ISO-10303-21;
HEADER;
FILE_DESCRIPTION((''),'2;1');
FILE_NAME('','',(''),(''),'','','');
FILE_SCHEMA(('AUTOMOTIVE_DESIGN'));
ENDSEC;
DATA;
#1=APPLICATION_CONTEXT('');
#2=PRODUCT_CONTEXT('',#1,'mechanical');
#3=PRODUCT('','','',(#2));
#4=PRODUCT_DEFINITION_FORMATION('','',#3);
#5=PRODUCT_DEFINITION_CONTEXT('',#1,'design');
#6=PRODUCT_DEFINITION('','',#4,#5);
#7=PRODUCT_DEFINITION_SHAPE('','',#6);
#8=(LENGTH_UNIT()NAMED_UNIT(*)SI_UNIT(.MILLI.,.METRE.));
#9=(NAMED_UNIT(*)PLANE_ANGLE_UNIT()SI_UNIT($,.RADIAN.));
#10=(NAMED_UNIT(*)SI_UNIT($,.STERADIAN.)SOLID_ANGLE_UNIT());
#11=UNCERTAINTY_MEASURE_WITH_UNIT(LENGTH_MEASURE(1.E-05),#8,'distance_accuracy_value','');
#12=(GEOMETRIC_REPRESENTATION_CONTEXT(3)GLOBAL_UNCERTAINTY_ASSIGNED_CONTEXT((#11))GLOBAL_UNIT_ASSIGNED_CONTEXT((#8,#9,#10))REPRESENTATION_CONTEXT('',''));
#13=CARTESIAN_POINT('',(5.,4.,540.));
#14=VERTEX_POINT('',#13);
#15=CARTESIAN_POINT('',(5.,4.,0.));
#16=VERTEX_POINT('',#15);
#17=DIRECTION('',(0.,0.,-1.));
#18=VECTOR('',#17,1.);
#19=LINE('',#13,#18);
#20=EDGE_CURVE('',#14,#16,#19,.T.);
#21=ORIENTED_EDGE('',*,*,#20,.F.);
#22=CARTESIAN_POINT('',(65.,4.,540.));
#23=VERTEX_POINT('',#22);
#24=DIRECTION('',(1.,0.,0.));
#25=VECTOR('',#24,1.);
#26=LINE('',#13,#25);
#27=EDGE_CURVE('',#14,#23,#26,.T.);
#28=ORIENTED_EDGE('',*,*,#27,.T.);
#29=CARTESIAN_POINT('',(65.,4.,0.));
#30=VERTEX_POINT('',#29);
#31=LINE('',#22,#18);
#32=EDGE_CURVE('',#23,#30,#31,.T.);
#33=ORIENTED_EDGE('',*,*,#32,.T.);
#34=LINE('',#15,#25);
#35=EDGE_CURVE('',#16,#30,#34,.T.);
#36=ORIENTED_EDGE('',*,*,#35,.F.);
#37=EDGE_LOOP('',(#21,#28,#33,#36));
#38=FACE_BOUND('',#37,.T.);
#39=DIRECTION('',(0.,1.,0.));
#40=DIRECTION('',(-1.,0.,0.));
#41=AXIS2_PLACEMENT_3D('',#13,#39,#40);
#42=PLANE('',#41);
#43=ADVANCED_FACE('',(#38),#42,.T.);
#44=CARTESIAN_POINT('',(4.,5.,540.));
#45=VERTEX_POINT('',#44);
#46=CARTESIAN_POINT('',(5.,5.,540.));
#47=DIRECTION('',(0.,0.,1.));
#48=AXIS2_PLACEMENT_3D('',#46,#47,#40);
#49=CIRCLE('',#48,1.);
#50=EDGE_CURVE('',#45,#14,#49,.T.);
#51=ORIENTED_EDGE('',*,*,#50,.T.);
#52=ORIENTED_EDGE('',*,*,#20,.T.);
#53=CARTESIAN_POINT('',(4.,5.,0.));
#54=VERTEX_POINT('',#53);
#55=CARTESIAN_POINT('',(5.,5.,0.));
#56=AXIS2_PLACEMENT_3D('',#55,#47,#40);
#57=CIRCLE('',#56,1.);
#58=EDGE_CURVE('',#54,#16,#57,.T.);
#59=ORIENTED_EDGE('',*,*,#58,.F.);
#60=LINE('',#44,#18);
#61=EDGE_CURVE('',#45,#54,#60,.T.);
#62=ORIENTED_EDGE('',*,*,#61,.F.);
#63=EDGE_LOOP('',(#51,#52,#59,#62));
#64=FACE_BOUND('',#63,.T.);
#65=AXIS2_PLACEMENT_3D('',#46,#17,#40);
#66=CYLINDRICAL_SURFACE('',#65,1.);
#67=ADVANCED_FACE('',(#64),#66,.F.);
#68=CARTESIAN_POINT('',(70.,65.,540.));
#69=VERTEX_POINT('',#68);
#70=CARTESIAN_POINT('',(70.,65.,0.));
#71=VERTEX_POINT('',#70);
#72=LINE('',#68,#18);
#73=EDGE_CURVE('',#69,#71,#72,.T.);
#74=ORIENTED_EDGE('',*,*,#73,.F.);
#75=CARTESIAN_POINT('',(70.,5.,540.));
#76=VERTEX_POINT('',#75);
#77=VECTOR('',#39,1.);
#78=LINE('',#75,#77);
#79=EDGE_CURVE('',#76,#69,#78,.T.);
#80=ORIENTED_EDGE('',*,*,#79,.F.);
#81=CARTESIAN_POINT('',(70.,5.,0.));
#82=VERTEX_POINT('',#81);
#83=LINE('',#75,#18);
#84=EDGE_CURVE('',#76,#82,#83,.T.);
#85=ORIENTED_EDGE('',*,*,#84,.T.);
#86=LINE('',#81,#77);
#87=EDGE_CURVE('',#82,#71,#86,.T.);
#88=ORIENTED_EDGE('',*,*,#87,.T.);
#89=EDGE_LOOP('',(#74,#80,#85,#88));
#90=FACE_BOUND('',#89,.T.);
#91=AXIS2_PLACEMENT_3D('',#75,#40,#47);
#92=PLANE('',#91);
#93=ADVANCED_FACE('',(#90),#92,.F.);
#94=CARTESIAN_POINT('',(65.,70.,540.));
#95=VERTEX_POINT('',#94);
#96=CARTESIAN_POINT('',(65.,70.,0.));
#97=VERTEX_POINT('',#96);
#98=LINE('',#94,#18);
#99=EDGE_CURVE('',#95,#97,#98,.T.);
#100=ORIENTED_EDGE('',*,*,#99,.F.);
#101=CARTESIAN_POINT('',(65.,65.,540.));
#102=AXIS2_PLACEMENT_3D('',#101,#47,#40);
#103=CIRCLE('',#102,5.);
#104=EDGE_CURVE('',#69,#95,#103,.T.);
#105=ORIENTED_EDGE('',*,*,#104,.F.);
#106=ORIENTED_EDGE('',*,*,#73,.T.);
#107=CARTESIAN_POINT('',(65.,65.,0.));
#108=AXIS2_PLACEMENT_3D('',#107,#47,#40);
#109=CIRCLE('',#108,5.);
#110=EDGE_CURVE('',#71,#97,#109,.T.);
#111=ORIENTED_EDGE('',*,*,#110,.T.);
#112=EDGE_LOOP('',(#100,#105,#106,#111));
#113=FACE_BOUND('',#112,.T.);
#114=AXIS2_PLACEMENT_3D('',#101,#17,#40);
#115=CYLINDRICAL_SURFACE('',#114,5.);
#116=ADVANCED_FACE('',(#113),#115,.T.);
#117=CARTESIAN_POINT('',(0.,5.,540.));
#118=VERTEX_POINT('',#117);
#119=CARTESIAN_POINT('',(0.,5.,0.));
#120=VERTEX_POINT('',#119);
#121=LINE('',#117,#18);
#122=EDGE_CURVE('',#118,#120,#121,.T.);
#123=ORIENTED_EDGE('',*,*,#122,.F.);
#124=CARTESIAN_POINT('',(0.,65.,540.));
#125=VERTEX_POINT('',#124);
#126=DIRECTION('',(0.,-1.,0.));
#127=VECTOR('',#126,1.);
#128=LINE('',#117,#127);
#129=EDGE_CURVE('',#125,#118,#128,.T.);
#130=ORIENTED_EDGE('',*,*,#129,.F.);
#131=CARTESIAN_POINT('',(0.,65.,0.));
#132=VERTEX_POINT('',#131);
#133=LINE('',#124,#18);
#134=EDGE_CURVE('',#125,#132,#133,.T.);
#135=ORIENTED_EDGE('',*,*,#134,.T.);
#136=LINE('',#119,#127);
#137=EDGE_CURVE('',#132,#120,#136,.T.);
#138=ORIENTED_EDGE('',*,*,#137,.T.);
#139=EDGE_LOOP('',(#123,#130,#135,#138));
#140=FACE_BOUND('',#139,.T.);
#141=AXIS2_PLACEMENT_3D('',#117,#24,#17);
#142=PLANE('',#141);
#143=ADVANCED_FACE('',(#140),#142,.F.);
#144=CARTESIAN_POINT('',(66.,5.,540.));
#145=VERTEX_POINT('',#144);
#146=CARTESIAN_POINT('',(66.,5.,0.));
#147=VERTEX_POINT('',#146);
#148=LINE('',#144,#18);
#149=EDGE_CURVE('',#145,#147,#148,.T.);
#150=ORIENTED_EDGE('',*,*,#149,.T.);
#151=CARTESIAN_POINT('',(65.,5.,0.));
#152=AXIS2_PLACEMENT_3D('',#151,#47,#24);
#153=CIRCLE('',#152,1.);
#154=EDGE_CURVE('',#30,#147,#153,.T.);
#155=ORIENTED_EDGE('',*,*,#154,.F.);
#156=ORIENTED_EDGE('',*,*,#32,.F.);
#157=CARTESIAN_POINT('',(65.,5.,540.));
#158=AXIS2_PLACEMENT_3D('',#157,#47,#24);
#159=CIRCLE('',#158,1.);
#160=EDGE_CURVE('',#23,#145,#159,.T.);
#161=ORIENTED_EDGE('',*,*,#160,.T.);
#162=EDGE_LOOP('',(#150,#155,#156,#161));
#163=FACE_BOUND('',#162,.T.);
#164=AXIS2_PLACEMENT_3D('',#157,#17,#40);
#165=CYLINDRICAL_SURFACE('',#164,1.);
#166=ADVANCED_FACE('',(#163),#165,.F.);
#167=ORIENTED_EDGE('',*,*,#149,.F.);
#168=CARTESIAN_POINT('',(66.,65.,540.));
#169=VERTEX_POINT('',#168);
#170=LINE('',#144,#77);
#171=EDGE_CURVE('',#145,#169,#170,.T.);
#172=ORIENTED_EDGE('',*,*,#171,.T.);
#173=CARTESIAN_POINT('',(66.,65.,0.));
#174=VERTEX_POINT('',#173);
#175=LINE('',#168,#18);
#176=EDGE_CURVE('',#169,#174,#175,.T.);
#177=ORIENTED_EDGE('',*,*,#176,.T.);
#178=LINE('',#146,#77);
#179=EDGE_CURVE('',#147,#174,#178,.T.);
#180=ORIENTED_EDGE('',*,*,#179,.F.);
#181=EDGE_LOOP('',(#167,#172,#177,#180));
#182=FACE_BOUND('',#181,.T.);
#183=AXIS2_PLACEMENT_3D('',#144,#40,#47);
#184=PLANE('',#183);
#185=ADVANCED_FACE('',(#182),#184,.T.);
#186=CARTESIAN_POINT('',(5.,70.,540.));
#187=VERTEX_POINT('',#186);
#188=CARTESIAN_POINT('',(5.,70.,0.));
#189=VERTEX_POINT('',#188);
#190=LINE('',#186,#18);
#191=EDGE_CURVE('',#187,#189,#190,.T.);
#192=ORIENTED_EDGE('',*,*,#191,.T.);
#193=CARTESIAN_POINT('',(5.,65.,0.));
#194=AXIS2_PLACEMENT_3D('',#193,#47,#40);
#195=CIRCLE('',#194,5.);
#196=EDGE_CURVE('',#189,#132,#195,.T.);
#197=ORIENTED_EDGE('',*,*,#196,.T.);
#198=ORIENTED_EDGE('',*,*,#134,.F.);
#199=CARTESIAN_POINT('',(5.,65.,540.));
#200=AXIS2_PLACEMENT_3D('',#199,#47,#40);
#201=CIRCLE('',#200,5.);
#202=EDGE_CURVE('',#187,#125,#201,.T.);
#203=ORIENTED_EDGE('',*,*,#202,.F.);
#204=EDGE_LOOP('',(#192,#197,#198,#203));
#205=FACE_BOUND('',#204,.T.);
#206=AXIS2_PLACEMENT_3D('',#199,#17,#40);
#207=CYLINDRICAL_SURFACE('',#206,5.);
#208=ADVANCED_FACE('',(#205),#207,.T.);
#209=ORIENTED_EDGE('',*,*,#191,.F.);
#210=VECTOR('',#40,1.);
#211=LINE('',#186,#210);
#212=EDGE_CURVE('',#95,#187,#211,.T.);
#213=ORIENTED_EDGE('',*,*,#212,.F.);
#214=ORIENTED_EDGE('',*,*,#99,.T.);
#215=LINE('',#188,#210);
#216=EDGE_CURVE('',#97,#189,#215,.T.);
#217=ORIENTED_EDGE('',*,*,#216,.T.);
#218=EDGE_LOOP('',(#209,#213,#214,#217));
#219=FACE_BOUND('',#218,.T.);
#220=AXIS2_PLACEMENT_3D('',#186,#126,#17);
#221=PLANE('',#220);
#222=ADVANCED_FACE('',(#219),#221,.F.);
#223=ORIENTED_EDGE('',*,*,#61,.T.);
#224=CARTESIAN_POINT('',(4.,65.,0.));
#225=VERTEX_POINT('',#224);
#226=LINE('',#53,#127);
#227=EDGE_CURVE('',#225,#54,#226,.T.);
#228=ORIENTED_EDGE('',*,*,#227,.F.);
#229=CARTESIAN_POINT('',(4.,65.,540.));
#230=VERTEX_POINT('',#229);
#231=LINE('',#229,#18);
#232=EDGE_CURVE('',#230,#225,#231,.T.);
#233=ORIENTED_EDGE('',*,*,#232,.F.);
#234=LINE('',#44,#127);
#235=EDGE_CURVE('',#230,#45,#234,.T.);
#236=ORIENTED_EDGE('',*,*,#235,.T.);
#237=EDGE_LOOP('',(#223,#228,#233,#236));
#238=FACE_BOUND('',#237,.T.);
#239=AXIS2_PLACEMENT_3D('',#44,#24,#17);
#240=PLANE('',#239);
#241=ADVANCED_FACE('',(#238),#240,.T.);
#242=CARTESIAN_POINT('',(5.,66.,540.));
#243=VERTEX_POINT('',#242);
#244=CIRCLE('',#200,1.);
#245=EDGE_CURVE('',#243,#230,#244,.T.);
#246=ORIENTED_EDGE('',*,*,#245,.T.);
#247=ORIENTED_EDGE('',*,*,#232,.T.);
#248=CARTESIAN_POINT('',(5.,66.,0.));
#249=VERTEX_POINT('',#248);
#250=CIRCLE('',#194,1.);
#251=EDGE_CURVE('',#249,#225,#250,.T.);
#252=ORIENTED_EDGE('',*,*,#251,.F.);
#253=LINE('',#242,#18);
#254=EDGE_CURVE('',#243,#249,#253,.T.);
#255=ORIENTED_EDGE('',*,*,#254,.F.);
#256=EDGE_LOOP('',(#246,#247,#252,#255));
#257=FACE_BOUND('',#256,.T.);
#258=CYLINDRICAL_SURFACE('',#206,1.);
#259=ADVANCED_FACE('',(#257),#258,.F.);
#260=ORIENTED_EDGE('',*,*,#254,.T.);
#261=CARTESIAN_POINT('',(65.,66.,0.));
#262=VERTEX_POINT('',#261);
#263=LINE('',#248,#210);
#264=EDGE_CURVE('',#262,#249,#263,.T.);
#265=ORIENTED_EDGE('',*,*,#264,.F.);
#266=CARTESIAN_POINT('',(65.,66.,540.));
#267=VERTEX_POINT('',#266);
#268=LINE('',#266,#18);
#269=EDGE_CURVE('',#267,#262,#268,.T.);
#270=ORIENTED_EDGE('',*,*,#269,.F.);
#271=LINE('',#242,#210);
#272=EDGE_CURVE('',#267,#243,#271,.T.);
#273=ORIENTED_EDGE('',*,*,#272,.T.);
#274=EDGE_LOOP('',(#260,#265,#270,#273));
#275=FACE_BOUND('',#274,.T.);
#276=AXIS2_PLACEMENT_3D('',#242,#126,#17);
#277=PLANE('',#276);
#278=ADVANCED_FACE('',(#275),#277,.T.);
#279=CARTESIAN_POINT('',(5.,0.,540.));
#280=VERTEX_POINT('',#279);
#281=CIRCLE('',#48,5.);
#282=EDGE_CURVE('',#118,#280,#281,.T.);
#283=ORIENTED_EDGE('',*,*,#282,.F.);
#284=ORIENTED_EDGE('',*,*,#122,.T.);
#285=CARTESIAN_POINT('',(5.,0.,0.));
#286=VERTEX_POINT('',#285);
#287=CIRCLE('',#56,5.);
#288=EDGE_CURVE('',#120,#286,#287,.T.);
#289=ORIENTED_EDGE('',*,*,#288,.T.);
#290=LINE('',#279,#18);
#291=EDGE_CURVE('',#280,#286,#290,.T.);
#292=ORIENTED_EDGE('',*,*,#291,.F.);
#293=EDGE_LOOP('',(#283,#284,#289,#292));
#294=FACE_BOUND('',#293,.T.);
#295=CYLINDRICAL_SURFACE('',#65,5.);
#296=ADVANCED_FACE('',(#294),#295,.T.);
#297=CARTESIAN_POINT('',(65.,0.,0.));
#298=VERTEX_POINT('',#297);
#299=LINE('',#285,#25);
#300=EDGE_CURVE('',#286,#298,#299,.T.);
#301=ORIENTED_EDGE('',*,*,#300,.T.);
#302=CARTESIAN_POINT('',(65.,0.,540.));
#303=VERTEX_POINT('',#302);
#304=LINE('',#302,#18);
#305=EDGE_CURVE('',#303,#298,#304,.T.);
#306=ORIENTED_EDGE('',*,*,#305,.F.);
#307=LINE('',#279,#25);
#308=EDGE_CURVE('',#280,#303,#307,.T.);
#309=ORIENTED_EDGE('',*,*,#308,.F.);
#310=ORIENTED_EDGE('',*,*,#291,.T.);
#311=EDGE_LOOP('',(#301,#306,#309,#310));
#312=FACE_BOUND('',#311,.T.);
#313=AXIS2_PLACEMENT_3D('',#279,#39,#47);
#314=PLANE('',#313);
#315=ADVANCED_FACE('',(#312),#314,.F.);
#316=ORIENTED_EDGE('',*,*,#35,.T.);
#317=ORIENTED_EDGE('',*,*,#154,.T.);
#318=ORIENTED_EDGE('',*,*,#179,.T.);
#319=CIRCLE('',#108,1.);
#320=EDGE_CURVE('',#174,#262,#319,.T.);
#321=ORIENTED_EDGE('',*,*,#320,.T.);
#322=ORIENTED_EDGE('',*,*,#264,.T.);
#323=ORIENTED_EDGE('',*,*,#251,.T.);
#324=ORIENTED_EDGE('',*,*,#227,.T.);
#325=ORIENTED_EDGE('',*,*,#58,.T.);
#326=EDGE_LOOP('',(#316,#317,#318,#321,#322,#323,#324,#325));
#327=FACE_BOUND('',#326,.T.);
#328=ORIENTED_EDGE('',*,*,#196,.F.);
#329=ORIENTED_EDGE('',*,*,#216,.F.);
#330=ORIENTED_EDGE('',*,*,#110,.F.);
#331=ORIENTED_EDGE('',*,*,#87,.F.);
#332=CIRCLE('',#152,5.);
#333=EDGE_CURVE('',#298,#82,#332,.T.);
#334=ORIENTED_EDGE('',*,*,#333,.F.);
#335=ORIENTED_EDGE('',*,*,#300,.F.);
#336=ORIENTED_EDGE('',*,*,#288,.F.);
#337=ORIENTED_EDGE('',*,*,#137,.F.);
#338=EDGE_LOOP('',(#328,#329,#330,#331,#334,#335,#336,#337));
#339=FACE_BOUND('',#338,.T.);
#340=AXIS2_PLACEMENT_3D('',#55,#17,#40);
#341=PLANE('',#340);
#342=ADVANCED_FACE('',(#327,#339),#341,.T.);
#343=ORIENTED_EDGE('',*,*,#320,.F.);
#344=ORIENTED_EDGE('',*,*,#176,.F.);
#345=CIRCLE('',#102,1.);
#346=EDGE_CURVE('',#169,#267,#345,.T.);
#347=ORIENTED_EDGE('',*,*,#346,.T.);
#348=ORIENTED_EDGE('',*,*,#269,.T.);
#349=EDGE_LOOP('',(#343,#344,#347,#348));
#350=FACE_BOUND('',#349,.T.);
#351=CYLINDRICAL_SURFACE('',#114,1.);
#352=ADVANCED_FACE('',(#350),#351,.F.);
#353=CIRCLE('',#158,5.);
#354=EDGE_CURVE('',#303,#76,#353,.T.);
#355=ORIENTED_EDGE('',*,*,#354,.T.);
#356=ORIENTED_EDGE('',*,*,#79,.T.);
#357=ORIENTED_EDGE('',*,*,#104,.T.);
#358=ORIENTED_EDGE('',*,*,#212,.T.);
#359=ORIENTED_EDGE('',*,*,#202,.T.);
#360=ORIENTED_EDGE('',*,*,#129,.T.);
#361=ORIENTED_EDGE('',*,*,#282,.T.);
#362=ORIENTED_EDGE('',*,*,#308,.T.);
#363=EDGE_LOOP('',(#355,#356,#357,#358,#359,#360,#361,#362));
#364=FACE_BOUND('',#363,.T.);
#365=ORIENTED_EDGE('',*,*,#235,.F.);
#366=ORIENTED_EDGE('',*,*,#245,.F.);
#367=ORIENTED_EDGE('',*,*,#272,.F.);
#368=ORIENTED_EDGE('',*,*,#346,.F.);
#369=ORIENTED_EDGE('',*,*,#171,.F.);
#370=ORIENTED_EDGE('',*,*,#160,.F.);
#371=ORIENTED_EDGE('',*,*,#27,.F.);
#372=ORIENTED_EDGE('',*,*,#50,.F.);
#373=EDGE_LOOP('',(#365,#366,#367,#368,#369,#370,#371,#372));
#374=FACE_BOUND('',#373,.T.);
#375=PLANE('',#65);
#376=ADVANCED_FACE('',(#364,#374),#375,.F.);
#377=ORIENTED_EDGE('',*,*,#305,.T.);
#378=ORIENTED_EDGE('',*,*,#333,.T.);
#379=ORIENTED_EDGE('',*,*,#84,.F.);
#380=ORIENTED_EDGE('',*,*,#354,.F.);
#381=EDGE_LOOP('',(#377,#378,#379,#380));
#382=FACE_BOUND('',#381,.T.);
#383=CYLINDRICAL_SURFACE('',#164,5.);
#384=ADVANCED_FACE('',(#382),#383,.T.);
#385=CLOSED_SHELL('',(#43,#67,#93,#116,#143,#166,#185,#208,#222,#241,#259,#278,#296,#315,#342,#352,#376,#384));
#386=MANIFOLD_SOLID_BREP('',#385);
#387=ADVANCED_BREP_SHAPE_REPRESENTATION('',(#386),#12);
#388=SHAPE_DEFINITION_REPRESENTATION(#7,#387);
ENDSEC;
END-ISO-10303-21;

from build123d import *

# Parameters (mm, degrees)
BOSS_EXTRUDE1_DEPTH = 540


with BuildPart() as part:
    # Sketch1 → Boss-Extrude1 (new body)
    with BuildSketch(Plane.XY):
        with BuildLine():
            Line((5, 0), (65, 0))
            ThreePointArc((65, 0), (68.535533906, 1.464466094), (70, 5))
            Line((70, 5), (70, 65))
            ThreePointArc((70, 65), (68.535533906, 68.535533906), (65, 70))
            Line((65, 70), (5, 70))
            ThreePointArc((5, 70), (1.464466094, 68.535533906), (0, 65))
            Line((0, 65), (0, 5))
            ThreePointArc((0, 5), (1.464466094, 1.464466094), (5, 0))
        make_face()
        with BuildLine():
            Line((4, 5), (4, 65))
            ThreePointArc((4, 65), (4.292893219, 65.707106781), (5, 66))
            Line((5, 66), (65, 66))
            ThreePointArc((65, 66), (65.707106781, 65.707106781), (66, 65))
            Line((66, 65), (66, 5))
            ThreePointArc((66, 5), (65.707106781, 4.292893219), (65, 4))
            Line((65, 4), (5, 4))
            ThreePointArc((5, 4), (4.292893219, 4.292893219), (4, 5))
        make_face(mode=Mode.SUBTRACT)
    extrude(amount=BOSS_EXTRUDE1_DEPTH)


solid = part.part
